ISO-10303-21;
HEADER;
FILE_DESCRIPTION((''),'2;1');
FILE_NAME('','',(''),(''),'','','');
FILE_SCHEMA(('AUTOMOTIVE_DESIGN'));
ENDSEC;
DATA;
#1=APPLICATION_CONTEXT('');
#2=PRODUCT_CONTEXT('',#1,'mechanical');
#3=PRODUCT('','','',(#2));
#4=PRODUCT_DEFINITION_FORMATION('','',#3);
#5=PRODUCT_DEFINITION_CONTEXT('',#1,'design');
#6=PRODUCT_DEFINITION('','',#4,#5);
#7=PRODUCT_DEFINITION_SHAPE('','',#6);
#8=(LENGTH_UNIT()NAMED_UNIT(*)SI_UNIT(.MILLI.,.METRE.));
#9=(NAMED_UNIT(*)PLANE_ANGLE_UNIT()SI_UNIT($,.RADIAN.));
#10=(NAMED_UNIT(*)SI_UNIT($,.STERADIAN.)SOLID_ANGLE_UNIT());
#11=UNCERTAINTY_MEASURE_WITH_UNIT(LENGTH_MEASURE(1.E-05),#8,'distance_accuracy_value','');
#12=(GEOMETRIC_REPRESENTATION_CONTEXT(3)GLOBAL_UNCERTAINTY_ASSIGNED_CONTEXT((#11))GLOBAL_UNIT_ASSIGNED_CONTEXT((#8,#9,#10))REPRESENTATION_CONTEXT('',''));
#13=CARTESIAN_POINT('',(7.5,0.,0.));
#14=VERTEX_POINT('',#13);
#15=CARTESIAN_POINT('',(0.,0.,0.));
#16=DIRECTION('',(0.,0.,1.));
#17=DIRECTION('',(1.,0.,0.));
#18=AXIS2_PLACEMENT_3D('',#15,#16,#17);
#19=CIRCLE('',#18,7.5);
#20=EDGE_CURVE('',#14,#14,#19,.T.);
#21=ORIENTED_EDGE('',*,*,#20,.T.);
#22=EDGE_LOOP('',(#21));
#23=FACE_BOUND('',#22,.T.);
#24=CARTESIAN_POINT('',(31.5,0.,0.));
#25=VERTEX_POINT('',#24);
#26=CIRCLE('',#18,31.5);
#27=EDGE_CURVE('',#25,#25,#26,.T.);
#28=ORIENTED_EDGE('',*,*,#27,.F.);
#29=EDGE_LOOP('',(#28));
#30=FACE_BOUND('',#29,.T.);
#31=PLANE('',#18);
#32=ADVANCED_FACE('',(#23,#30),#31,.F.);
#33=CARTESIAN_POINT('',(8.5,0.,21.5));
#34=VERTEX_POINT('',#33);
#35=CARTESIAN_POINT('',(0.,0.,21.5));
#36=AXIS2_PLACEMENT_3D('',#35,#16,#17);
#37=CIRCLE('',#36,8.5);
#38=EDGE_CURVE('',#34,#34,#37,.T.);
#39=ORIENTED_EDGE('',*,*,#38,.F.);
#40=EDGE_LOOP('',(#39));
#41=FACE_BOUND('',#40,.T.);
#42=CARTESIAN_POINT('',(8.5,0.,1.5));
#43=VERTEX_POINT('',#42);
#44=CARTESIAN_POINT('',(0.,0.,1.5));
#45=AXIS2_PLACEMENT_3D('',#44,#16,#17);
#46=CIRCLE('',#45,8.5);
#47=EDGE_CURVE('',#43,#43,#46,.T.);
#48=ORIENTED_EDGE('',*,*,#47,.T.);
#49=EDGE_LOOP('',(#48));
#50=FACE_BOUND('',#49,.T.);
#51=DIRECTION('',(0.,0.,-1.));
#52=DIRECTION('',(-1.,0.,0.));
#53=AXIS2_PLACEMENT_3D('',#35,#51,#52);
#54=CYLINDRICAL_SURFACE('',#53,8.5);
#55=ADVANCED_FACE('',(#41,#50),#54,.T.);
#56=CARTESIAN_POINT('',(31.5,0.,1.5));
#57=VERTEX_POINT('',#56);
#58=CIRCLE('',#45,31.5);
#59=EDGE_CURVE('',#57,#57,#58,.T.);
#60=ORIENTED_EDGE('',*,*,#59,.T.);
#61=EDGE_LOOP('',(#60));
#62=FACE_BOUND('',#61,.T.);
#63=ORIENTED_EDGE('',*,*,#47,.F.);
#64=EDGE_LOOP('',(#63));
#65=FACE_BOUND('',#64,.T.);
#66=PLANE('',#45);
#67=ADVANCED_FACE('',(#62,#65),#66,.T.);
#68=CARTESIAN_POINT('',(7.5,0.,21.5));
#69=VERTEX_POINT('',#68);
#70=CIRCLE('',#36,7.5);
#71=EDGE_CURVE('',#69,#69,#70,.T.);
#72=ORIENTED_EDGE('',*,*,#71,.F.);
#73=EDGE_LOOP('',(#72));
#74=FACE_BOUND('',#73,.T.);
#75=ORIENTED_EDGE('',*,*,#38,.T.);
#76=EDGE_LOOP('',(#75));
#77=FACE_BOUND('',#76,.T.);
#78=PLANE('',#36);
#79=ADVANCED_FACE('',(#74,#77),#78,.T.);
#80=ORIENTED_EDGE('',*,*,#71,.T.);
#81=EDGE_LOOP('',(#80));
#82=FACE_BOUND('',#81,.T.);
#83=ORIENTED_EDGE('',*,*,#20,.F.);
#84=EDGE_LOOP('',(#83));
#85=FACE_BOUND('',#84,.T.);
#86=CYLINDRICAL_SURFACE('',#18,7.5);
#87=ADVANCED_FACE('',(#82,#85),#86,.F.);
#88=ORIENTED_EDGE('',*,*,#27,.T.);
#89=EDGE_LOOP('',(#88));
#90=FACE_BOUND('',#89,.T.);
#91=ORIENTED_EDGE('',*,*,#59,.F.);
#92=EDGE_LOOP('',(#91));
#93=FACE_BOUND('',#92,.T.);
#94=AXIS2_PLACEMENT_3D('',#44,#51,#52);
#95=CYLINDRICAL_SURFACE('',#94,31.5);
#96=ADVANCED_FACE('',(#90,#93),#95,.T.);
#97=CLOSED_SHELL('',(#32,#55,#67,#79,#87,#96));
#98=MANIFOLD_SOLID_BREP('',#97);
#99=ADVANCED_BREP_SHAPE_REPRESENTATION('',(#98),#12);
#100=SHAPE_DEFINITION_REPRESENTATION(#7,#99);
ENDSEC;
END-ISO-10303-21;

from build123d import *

# Parameters (mm, degrees)
SKETCH1_R               = 31.5
BOSS_EXTRUDE1_DEPTH     = 1.5
SKETCH2_R               = 8.5
BOSS_EXTRUDE2_DEPTH     = 20
CUT_EXTRUDE1_DEPTH      = 50.464633831
CUT_EXTRUDE1_DEPTH_BACK = 50.464633831
SKETCH3_R               = 7.5


with BuildPart() as part:
    # Sketch1 → Boss-Extrude1 (new body)
    with BuildSketch(Plane.XY):
        Circle(SKETCH1_R)
    extrude(amount=BOSS_EXTRUDE1_DEPTH)

    # Sketch2 → Boss-Extrude2 (add)
    with BuildSketch(Plane.XY.offset(1.5)):
        Circle(SKETCH2_R)
    extrude(amount=BOSS_EXTRUDE2_DEPTH)

    # Sketch3 → Cut-Extrude1 (cut, two sides: drawn at the far end of the back side and taken through both)
    with BuildSketch(Plane.XY.offset(21.5).offset(-CUT_EXTRUDE1_DEPTH_BACK)):
        Circle(SKETCH3_R)
    extrude(amount=CUT_EXTRUDE1_DEPTH + CUT_EXTRUDE1_DEPTH_BACK, mode=Mode.SUBTRACT)


solid = part.part
